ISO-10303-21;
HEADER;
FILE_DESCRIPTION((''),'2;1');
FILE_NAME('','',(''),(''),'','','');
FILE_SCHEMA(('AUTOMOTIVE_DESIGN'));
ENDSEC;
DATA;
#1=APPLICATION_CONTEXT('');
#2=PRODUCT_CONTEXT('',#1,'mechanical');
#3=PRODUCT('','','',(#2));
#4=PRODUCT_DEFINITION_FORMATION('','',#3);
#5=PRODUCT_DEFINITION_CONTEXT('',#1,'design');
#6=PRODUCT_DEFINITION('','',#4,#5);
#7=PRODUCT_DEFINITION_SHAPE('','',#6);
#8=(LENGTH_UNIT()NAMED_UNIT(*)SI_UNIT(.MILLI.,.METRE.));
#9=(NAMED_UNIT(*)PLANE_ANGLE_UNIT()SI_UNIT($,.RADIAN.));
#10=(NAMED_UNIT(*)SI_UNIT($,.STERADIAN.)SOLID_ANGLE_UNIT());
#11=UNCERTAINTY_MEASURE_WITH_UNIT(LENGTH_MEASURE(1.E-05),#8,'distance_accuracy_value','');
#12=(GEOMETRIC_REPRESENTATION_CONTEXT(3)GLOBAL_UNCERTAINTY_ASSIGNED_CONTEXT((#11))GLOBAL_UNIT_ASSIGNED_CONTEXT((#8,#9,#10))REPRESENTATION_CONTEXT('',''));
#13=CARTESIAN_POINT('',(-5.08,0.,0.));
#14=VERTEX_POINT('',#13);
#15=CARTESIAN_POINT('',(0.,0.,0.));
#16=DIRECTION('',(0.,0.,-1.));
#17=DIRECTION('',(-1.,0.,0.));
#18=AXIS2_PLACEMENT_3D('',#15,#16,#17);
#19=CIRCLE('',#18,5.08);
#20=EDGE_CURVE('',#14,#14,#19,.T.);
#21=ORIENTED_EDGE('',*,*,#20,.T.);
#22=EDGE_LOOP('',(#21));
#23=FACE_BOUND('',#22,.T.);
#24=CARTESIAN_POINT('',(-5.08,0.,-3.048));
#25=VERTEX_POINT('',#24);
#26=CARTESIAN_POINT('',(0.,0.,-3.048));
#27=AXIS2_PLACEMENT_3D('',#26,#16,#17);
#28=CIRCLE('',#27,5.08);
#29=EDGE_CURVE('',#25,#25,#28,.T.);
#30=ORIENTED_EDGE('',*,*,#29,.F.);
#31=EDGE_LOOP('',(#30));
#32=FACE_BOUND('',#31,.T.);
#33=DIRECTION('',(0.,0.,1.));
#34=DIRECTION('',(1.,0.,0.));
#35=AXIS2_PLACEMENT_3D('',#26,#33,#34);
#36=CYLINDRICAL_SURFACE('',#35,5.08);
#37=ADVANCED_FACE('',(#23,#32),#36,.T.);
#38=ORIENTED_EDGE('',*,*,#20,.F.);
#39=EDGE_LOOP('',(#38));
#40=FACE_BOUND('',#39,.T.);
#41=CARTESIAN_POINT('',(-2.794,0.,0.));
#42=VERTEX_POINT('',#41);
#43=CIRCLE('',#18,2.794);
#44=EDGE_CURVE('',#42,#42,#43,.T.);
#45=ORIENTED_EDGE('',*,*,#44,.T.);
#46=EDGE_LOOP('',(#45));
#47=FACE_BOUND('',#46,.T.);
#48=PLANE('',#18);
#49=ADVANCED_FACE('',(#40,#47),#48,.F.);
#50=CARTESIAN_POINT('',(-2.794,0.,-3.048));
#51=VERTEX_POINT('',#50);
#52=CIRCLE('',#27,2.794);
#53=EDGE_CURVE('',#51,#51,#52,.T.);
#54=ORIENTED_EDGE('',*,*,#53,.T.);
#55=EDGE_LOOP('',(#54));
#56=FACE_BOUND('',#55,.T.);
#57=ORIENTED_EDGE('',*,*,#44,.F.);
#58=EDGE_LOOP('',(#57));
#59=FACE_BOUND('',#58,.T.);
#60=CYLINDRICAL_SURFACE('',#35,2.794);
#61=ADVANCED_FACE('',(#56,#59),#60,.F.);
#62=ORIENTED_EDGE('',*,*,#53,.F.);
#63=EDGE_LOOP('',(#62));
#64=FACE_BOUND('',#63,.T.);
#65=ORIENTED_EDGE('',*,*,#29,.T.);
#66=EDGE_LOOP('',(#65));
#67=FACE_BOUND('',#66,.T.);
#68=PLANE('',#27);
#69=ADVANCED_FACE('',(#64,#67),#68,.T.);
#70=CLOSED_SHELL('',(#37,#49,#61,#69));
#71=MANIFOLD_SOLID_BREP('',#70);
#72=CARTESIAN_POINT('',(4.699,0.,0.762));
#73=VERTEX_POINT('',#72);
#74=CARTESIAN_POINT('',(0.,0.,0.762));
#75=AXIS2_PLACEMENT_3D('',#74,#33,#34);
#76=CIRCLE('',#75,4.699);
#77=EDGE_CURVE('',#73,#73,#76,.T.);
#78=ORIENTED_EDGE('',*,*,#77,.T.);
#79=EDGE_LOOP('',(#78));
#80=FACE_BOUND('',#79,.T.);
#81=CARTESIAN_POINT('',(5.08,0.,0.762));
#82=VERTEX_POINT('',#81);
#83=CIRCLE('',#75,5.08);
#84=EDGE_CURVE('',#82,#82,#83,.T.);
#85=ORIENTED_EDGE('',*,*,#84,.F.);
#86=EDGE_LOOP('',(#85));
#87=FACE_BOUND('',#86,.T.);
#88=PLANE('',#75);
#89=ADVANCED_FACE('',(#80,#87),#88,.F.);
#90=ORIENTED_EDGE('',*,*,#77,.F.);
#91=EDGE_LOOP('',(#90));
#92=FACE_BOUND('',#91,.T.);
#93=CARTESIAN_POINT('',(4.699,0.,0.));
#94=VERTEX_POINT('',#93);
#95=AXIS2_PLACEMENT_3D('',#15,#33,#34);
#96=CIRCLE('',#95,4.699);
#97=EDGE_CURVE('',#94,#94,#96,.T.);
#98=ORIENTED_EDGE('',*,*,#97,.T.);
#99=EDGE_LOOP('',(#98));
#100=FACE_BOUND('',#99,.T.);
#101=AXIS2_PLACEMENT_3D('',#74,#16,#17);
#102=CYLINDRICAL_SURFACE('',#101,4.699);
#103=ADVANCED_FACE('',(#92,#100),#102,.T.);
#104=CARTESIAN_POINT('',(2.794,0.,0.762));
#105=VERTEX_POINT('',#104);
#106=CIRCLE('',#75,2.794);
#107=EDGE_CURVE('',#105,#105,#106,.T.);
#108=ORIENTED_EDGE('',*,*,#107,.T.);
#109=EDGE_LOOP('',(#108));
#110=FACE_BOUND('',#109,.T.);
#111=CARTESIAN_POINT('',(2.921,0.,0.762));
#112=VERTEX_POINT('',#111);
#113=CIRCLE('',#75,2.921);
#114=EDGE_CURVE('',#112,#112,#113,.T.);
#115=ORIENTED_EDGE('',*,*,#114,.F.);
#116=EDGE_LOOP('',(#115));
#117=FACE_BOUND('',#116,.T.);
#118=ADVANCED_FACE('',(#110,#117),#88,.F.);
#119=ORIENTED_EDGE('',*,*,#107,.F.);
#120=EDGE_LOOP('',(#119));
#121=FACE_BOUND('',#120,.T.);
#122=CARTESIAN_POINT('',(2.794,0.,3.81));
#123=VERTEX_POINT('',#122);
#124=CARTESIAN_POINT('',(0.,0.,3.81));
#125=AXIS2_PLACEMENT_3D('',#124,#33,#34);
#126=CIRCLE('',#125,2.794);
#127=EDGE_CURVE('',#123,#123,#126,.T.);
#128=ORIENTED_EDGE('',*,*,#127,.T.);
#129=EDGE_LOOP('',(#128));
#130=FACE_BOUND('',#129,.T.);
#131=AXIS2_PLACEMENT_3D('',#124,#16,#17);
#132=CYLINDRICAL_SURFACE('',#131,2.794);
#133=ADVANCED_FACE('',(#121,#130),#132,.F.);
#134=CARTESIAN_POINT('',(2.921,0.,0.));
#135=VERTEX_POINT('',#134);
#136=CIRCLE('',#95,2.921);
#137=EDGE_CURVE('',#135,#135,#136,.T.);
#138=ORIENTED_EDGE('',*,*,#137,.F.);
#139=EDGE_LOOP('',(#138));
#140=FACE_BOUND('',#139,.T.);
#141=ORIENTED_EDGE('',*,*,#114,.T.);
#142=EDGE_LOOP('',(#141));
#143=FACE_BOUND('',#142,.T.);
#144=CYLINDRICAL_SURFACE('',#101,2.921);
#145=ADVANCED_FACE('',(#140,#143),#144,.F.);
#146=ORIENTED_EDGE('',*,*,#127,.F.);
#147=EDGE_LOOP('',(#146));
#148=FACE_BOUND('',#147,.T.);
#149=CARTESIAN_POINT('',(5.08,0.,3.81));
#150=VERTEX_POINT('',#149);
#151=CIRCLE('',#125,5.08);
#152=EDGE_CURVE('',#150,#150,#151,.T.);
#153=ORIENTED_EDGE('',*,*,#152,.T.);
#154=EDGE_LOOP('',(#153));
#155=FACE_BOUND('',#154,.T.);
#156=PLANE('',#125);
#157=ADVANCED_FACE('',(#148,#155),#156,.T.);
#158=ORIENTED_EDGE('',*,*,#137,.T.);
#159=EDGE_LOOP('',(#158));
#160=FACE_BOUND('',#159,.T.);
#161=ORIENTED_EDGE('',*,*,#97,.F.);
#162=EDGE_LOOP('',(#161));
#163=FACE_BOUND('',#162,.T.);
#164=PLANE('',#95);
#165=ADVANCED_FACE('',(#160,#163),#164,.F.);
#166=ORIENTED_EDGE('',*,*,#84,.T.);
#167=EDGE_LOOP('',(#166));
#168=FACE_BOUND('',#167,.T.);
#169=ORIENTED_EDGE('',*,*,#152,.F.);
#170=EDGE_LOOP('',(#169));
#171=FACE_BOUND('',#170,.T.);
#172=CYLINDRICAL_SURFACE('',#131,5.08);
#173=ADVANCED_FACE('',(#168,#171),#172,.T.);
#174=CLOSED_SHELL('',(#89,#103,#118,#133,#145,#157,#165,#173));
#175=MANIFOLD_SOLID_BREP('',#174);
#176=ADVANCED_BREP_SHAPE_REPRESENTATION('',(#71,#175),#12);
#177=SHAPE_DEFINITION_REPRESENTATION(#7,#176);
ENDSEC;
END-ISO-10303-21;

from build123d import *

# Parameters (mm, degrees)
SKETCH1_R           = 4.699
SKETCH1_R_2         = 2.921
BOSS_EXTRUDE2_DEPTH = 0.762
SKETCH3_R           = 5.08
SKETCH3_R_2         = 2.794
BOSS_EXTRUDE3_DEPTH = 3.048
SKETCH4_R           = 5.08
SKETCH4_R_2         = 2.794
BOSS_EXTRUDE4_DEPTH = 3.048


with BuildPart() as part:
    # Sketch1 → Boss-Extrude2 (new body)
    with BuildSketch(Plane.XY):
        Circle(SKETCH1_R)
        Circle(SKETCH1_R_2, mode=Mode.SUBTRACT)
    extrude(amount=BOSS_EXTRUDE2_DEPTH)

    # Sketch3 → Boss-Extrude3 (add)
    with BuildSketch(Plane.XY.offset(0.762)):
        Circle(SKETCH3_R)
        Circle(SKETCH3_R_2, mode=Mode.SUBTRACT)
    extrude(amount=BOSS_EXTRUDE3_DEPTH)


with BuildPart() as body_2:
    # Sketch4 → Boss-Extrude4 (new body)
    with BuildSketch(Plane(origin=(0, 0, 0), x_dir=(-1, 0, 0), z_dir=(0, 0, -1))):
        Circle(SKETCH4_R)
        Circle(SKETCH4_R_2, mode=Mode.SUBTRACT)
    extrude(amount=BOSS_EXTRUDE4_DEPTH)


solid = Compound([part.part, body_2.part])
